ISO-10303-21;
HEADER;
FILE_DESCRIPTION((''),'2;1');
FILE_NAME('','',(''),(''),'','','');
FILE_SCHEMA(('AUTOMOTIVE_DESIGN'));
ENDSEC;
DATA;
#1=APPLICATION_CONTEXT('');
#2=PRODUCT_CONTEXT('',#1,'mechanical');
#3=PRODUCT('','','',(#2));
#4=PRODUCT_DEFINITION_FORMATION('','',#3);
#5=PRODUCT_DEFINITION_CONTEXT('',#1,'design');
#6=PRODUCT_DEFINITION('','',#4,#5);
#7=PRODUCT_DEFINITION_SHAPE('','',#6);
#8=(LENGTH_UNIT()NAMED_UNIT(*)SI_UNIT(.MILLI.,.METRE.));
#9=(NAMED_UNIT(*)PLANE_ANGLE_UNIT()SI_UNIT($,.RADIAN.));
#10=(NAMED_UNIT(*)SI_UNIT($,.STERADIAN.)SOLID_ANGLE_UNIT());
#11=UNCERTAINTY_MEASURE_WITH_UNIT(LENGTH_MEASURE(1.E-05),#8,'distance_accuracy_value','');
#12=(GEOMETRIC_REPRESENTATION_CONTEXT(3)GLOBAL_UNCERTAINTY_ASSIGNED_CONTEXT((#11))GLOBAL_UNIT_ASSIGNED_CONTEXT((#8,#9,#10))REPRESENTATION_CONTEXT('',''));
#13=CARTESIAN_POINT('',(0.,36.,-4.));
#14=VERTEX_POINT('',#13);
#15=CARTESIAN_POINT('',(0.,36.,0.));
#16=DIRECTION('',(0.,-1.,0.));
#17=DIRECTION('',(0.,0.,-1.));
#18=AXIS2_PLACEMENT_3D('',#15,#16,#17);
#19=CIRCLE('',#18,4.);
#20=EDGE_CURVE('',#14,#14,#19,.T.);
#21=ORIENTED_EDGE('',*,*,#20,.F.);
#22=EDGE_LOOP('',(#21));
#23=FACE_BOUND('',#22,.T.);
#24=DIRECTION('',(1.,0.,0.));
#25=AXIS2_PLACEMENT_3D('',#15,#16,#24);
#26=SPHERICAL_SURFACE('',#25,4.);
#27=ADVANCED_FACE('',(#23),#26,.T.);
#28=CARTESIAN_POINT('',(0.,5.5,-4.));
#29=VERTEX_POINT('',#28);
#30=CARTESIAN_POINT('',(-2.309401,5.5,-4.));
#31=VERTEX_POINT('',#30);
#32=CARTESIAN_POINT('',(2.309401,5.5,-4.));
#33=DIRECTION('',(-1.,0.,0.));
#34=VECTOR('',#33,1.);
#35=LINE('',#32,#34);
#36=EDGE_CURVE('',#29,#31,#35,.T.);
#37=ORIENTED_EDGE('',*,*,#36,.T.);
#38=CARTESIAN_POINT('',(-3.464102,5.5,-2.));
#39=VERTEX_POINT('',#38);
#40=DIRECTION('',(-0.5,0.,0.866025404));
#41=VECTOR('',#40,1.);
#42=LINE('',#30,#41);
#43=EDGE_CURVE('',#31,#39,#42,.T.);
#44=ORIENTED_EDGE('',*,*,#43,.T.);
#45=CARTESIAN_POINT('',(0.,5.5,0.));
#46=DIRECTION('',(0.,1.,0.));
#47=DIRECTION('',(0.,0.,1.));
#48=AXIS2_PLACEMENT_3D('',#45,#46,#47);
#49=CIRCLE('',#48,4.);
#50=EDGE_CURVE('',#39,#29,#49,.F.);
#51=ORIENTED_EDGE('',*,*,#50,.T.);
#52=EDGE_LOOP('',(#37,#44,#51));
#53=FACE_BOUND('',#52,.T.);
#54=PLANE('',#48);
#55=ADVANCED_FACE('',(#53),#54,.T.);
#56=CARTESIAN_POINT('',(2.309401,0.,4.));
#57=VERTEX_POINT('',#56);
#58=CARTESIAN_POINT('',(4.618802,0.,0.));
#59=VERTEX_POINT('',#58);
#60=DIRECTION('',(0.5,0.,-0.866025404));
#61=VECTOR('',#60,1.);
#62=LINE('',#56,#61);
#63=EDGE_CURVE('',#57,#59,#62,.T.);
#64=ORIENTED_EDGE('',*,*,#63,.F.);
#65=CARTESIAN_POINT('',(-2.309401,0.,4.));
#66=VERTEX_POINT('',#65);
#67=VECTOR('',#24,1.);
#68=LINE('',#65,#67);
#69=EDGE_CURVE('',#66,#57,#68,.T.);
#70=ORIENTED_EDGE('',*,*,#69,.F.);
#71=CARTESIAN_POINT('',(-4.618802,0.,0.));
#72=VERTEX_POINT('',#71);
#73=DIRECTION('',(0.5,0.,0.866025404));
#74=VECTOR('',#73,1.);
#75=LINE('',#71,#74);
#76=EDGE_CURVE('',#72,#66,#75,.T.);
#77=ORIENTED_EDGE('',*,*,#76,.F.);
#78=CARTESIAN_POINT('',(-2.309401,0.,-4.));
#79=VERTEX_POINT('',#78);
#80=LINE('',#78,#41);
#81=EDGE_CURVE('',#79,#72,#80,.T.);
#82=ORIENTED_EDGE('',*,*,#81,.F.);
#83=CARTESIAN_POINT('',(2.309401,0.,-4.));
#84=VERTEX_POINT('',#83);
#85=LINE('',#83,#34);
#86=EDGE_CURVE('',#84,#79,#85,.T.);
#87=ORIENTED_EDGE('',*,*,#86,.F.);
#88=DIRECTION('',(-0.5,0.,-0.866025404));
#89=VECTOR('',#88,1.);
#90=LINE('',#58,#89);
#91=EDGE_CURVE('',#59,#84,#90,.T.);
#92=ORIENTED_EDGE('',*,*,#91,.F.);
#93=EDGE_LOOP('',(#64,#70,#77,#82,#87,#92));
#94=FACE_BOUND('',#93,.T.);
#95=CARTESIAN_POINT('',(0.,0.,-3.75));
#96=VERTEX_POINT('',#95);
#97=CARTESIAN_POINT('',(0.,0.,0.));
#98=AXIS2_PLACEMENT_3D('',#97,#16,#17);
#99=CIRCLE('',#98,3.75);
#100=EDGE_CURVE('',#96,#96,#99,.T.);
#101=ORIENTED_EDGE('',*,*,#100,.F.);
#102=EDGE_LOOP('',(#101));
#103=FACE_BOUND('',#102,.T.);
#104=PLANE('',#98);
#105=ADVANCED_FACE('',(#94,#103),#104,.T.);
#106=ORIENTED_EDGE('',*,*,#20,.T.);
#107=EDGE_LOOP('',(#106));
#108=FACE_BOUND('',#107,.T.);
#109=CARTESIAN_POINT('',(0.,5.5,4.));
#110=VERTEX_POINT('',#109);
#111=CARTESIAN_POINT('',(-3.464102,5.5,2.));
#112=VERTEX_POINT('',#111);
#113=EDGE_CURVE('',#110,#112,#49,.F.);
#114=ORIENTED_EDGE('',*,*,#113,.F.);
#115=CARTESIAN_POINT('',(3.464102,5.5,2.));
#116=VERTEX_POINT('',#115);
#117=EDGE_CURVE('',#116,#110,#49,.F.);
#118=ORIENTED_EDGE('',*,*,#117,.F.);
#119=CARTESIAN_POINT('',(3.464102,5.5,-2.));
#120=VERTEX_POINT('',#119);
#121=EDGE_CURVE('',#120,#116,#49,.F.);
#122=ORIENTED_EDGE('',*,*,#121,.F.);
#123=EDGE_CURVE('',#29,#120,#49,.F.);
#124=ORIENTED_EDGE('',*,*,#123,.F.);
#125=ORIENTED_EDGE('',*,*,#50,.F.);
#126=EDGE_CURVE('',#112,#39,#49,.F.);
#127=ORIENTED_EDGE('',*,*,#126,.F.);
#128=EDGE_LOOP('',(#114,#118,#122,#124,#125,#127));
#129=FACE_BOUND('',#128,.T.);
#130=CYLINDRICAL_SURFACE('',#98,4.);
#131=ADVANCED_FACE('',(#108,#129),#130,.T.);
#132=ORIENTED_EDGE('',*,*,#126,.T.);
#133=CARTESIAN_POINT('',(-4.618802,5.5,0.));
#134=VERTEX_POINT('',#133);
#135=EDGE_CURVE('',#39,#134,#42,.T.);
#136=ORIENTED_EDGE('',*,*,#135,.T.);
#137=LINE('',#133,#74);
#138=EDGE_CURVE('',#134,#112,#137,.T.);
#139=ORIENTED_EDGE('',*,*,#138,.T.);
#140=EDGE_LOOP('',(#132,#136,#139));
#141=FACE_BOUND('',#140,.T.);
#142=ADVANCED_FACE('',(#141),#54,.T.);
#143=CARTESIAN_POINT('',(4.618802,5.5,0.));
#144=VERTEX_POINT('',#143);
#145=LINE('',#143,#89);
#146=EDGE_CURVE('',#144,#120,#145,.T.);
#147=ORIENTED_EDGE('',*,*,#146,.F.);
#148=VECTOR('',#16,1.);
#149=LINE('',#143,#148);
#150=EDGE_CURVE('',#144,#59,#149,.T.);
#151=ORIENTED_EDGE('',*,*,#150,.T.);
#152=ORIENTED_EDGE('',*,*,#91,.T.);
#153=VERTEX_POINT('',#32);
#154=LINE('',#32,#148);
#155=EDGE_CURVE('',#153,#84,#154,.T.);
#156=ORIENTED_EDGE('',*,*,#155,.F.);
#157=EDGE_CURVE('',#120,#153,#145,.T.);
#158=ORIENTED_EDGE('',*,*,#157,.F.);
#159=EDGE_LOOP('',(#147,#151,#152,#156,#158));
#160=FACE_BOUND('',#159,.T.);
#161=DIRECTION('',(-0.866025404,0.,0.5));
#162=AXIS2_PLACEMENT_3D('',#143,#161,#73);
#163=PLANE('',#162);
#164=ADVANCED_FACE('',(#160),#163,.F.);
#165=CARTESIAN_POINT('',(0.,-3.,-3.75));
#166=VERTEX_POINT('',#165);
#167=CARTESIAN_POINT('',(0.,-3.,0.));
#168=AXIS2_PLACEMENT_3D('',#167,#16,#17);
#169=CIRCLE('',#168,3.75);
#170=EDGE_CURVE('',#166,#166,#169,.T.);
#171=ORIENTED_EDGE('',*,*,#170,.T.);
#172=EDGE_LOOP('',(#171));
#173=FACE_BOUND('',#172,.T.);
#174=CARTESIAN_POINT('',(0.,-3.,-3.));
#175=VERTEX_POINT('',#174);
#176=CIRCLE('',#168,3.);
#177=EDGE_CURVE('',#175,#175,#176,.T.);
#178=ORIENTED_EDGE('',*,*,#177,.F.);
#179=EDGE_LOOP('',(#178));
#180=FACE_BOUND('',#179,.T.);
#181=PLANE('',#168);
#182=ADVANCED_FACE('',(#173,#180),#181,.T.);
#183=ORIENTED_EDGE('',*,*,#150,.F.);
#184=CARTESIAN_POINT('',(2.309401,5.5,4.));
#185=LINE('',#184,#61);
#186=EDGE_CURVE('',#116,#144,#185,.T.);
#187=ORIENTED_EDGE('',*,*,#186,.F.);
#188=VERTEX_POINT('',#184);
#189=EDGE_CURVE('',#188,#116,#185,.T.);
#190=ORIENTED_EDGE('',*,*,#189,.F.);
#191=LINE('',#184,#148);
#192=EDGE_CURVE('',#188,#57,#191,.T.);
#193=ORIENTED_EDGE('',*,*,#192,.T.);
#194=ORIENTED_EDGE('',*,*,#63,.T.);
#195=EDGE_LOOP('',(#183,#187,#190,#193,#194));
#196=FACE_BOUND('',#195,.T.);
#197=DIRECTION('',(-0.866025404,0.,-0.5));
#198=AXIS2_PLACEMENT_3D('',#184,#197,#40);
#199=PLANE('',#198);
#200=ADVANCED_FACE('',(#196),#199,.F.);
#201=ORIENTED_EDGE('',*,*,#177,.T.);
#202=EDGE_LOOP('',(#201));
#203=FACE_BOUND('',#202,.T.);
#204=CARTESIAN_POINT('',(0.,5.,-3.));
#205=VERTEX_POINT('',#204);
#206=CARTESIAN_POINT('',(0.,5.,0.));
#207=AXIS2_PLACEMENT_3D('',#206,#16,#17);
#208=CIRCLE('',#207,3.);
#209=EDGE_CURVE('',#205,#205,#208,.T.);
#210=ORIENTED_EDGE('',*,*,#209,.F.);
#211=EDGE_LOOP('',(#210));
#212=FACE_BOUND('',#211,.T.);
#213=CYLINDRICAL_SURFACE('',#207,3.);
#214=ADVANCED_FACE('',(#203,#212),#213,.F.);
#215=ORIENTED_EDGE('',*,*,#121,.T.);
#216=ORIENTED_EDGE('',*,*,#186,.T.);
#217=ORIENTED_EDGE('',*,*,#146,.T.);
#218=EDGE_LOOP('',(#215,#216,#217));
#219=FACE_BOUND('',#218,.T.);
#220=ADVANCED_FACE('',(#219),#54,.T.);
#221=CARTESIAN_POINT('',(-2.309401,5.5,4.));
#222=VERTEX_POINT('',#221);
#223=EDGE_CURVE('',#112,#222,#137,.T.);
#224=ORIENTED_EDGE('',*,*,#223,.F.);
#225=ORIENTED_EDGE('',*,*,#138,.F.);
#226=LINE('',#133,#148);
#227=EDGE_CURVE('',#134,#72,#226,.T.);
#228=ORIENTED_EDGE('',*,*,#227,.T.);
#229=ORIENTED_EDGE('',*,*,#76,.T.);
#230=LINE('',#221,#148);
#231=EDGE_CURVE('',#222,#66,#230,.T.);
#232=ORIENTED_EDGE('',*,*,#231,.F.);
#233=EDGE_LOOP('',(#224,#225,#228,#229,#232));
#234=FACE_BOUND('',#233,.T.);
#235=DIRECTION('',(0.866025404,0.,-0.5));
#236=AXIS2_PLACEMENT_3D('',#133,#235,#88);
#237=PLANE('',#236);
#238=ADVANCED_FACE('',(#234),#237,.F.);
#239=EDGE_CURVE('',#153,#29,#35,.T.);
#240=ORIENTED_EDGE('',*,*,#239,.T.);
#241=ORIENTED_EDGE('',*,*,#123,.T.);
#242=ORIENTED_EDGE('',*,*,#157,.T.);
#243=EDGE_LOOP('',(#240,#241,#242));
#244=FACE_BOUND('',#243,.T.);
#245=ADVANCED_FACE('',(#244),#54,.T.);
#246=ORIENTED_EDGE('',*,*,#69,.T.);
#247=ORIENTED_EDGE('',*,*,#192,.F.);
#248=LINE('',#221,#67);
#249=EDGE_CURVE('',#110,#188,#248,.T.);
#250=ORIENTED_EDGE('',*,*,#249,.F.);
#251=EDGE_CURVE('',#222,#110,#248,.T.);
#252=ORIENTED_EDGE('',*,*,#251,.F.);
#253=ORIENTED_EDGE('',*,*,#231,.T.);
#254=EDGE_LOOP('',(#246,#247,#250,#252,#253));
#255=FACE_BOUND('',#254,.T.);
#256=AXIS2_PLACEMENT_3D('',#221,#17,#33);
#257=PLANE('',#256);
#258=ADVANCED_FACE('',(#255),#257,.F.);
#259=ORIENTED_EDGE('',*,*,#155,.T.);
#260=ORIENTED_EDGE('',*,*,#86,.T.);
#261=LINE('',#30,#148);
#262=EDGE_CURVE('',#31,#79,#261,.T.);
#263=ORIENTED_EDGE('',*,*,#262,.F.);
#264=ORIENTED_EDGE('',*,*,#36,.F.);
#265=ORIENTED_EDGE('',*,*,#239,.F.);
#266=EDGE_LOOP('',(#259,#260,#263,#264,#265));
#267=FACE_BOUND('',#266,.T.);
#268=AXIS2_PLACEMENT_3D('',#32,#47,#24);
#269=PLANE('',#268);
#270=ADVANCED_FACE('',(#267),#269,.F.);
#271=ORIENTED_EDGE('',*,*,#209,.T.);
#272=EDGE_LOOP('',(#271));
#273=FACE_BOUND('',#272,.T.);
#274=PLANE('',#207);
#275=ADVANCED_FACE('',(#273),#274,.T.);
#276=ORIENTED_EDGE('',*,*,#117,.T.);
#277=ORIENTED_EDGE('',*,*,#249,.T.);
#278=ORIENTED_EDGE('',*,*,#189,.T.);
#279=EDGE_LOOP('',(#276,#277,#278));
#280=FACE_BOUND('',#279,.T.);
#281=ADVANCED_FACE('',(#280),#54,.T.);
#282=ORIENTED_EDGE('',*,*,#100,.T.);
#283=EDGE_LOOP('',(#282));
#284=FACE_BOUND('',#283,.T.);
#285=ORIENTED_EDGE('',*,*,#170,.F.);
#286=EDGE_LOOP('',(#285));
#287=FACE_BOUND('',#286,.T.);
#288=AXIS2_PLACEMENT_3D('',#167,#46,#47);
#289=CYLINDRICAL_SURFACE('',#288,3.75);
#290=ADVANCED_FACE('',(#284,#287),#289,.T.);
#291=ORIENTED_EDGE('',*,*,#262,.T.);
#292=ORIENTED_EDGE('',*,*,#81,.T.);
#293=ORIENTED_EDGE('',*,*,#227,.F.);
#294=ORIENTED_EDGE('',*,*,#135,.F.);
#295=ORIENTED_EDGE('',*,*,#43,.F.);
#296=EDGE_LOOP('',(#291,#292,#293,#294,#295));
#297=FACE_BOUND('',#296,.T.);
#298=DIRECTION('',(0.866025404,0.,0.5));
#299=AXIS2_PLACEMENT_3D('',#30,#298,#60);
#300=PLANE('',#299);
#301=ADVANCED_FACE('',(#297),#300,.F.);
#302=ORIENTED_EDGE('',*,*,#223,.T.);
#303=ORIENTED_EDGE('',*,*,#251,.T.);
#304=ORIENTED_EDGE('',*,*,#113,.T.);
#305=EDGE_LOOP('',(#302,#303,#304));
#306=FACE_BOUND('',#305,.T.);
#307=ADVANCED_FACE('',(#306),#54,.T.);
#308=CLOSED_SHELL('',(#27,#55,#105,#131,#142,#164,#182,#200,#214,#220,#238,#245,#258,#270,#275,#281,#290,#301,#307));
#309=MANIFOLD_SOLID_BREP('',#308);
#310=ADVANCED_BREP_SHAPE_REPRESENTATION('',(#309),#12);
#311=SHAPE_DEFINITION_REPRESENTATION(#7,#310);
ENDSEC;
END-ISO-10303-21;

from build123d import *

# Parameters (mm, degrees)
BOSS_EXTRUDE1_DEPTH = 5.5
SKETCH3_R           = 3.75
BOSS_EXTRUDE2_DEPTH = 3
SKETCH4_R           = 3
CUT_EXTRUDE1_DEPTH  = 8


with BuildPart() as part:
    # Sketch1 → Revolve1 (revolve)
    with BuildSketch(Plane.XY):
        with BuildLine():
            Line((0, 0), (4, 0))
            Line((4, 0), (4, 36))
            ThreePointArc((4, 36), (2.828427125, 38.828427125), (0, 40))
            Line((0, 40), (0, 0))
        make_face()
    revolve(axis=Axis((0, 0, 0), (0, 1, 0)))

    # Sketch2 → Boss-Extrude1 (add)
    with BuildSketch(Plane(origin=(0, 0, 0), x_dir=(1, 0, 0), z_dir=(0, 1, 0))):
        Polygon((4.618802154, 0), (2.309401077, 4), (-2.309401077, 4), (-4.618802154, 0), (-2.309401077, -4), (2.309401077, -4), align=None)
    extrude(amount=BOSS_EXTRUDE1_DEPTH)

    # Sketch3 → Boss-Extrude2 (add)
    with BuildSketch(Plane.XZ):
        with Locations(Location((0, 0, 0), (0, 0, 270))):
            Circle(SKETCH3_R)
    extrude(amount=BOSS_EXTRUDE2_DEPTH)

    # Sketch4 → Cut-Extrude1 (cut)
    with BuildSketch(Plane.XZ.offset(3)):
        with Locations(Location((0, 0, 0), (0, 0, 270))):
            Circle(SKETCH4_R)
    extrude(amount=-CUT_EXTRUDE1_DEPTH, mode=Mode.SUBTRACT)


solid = part.part
